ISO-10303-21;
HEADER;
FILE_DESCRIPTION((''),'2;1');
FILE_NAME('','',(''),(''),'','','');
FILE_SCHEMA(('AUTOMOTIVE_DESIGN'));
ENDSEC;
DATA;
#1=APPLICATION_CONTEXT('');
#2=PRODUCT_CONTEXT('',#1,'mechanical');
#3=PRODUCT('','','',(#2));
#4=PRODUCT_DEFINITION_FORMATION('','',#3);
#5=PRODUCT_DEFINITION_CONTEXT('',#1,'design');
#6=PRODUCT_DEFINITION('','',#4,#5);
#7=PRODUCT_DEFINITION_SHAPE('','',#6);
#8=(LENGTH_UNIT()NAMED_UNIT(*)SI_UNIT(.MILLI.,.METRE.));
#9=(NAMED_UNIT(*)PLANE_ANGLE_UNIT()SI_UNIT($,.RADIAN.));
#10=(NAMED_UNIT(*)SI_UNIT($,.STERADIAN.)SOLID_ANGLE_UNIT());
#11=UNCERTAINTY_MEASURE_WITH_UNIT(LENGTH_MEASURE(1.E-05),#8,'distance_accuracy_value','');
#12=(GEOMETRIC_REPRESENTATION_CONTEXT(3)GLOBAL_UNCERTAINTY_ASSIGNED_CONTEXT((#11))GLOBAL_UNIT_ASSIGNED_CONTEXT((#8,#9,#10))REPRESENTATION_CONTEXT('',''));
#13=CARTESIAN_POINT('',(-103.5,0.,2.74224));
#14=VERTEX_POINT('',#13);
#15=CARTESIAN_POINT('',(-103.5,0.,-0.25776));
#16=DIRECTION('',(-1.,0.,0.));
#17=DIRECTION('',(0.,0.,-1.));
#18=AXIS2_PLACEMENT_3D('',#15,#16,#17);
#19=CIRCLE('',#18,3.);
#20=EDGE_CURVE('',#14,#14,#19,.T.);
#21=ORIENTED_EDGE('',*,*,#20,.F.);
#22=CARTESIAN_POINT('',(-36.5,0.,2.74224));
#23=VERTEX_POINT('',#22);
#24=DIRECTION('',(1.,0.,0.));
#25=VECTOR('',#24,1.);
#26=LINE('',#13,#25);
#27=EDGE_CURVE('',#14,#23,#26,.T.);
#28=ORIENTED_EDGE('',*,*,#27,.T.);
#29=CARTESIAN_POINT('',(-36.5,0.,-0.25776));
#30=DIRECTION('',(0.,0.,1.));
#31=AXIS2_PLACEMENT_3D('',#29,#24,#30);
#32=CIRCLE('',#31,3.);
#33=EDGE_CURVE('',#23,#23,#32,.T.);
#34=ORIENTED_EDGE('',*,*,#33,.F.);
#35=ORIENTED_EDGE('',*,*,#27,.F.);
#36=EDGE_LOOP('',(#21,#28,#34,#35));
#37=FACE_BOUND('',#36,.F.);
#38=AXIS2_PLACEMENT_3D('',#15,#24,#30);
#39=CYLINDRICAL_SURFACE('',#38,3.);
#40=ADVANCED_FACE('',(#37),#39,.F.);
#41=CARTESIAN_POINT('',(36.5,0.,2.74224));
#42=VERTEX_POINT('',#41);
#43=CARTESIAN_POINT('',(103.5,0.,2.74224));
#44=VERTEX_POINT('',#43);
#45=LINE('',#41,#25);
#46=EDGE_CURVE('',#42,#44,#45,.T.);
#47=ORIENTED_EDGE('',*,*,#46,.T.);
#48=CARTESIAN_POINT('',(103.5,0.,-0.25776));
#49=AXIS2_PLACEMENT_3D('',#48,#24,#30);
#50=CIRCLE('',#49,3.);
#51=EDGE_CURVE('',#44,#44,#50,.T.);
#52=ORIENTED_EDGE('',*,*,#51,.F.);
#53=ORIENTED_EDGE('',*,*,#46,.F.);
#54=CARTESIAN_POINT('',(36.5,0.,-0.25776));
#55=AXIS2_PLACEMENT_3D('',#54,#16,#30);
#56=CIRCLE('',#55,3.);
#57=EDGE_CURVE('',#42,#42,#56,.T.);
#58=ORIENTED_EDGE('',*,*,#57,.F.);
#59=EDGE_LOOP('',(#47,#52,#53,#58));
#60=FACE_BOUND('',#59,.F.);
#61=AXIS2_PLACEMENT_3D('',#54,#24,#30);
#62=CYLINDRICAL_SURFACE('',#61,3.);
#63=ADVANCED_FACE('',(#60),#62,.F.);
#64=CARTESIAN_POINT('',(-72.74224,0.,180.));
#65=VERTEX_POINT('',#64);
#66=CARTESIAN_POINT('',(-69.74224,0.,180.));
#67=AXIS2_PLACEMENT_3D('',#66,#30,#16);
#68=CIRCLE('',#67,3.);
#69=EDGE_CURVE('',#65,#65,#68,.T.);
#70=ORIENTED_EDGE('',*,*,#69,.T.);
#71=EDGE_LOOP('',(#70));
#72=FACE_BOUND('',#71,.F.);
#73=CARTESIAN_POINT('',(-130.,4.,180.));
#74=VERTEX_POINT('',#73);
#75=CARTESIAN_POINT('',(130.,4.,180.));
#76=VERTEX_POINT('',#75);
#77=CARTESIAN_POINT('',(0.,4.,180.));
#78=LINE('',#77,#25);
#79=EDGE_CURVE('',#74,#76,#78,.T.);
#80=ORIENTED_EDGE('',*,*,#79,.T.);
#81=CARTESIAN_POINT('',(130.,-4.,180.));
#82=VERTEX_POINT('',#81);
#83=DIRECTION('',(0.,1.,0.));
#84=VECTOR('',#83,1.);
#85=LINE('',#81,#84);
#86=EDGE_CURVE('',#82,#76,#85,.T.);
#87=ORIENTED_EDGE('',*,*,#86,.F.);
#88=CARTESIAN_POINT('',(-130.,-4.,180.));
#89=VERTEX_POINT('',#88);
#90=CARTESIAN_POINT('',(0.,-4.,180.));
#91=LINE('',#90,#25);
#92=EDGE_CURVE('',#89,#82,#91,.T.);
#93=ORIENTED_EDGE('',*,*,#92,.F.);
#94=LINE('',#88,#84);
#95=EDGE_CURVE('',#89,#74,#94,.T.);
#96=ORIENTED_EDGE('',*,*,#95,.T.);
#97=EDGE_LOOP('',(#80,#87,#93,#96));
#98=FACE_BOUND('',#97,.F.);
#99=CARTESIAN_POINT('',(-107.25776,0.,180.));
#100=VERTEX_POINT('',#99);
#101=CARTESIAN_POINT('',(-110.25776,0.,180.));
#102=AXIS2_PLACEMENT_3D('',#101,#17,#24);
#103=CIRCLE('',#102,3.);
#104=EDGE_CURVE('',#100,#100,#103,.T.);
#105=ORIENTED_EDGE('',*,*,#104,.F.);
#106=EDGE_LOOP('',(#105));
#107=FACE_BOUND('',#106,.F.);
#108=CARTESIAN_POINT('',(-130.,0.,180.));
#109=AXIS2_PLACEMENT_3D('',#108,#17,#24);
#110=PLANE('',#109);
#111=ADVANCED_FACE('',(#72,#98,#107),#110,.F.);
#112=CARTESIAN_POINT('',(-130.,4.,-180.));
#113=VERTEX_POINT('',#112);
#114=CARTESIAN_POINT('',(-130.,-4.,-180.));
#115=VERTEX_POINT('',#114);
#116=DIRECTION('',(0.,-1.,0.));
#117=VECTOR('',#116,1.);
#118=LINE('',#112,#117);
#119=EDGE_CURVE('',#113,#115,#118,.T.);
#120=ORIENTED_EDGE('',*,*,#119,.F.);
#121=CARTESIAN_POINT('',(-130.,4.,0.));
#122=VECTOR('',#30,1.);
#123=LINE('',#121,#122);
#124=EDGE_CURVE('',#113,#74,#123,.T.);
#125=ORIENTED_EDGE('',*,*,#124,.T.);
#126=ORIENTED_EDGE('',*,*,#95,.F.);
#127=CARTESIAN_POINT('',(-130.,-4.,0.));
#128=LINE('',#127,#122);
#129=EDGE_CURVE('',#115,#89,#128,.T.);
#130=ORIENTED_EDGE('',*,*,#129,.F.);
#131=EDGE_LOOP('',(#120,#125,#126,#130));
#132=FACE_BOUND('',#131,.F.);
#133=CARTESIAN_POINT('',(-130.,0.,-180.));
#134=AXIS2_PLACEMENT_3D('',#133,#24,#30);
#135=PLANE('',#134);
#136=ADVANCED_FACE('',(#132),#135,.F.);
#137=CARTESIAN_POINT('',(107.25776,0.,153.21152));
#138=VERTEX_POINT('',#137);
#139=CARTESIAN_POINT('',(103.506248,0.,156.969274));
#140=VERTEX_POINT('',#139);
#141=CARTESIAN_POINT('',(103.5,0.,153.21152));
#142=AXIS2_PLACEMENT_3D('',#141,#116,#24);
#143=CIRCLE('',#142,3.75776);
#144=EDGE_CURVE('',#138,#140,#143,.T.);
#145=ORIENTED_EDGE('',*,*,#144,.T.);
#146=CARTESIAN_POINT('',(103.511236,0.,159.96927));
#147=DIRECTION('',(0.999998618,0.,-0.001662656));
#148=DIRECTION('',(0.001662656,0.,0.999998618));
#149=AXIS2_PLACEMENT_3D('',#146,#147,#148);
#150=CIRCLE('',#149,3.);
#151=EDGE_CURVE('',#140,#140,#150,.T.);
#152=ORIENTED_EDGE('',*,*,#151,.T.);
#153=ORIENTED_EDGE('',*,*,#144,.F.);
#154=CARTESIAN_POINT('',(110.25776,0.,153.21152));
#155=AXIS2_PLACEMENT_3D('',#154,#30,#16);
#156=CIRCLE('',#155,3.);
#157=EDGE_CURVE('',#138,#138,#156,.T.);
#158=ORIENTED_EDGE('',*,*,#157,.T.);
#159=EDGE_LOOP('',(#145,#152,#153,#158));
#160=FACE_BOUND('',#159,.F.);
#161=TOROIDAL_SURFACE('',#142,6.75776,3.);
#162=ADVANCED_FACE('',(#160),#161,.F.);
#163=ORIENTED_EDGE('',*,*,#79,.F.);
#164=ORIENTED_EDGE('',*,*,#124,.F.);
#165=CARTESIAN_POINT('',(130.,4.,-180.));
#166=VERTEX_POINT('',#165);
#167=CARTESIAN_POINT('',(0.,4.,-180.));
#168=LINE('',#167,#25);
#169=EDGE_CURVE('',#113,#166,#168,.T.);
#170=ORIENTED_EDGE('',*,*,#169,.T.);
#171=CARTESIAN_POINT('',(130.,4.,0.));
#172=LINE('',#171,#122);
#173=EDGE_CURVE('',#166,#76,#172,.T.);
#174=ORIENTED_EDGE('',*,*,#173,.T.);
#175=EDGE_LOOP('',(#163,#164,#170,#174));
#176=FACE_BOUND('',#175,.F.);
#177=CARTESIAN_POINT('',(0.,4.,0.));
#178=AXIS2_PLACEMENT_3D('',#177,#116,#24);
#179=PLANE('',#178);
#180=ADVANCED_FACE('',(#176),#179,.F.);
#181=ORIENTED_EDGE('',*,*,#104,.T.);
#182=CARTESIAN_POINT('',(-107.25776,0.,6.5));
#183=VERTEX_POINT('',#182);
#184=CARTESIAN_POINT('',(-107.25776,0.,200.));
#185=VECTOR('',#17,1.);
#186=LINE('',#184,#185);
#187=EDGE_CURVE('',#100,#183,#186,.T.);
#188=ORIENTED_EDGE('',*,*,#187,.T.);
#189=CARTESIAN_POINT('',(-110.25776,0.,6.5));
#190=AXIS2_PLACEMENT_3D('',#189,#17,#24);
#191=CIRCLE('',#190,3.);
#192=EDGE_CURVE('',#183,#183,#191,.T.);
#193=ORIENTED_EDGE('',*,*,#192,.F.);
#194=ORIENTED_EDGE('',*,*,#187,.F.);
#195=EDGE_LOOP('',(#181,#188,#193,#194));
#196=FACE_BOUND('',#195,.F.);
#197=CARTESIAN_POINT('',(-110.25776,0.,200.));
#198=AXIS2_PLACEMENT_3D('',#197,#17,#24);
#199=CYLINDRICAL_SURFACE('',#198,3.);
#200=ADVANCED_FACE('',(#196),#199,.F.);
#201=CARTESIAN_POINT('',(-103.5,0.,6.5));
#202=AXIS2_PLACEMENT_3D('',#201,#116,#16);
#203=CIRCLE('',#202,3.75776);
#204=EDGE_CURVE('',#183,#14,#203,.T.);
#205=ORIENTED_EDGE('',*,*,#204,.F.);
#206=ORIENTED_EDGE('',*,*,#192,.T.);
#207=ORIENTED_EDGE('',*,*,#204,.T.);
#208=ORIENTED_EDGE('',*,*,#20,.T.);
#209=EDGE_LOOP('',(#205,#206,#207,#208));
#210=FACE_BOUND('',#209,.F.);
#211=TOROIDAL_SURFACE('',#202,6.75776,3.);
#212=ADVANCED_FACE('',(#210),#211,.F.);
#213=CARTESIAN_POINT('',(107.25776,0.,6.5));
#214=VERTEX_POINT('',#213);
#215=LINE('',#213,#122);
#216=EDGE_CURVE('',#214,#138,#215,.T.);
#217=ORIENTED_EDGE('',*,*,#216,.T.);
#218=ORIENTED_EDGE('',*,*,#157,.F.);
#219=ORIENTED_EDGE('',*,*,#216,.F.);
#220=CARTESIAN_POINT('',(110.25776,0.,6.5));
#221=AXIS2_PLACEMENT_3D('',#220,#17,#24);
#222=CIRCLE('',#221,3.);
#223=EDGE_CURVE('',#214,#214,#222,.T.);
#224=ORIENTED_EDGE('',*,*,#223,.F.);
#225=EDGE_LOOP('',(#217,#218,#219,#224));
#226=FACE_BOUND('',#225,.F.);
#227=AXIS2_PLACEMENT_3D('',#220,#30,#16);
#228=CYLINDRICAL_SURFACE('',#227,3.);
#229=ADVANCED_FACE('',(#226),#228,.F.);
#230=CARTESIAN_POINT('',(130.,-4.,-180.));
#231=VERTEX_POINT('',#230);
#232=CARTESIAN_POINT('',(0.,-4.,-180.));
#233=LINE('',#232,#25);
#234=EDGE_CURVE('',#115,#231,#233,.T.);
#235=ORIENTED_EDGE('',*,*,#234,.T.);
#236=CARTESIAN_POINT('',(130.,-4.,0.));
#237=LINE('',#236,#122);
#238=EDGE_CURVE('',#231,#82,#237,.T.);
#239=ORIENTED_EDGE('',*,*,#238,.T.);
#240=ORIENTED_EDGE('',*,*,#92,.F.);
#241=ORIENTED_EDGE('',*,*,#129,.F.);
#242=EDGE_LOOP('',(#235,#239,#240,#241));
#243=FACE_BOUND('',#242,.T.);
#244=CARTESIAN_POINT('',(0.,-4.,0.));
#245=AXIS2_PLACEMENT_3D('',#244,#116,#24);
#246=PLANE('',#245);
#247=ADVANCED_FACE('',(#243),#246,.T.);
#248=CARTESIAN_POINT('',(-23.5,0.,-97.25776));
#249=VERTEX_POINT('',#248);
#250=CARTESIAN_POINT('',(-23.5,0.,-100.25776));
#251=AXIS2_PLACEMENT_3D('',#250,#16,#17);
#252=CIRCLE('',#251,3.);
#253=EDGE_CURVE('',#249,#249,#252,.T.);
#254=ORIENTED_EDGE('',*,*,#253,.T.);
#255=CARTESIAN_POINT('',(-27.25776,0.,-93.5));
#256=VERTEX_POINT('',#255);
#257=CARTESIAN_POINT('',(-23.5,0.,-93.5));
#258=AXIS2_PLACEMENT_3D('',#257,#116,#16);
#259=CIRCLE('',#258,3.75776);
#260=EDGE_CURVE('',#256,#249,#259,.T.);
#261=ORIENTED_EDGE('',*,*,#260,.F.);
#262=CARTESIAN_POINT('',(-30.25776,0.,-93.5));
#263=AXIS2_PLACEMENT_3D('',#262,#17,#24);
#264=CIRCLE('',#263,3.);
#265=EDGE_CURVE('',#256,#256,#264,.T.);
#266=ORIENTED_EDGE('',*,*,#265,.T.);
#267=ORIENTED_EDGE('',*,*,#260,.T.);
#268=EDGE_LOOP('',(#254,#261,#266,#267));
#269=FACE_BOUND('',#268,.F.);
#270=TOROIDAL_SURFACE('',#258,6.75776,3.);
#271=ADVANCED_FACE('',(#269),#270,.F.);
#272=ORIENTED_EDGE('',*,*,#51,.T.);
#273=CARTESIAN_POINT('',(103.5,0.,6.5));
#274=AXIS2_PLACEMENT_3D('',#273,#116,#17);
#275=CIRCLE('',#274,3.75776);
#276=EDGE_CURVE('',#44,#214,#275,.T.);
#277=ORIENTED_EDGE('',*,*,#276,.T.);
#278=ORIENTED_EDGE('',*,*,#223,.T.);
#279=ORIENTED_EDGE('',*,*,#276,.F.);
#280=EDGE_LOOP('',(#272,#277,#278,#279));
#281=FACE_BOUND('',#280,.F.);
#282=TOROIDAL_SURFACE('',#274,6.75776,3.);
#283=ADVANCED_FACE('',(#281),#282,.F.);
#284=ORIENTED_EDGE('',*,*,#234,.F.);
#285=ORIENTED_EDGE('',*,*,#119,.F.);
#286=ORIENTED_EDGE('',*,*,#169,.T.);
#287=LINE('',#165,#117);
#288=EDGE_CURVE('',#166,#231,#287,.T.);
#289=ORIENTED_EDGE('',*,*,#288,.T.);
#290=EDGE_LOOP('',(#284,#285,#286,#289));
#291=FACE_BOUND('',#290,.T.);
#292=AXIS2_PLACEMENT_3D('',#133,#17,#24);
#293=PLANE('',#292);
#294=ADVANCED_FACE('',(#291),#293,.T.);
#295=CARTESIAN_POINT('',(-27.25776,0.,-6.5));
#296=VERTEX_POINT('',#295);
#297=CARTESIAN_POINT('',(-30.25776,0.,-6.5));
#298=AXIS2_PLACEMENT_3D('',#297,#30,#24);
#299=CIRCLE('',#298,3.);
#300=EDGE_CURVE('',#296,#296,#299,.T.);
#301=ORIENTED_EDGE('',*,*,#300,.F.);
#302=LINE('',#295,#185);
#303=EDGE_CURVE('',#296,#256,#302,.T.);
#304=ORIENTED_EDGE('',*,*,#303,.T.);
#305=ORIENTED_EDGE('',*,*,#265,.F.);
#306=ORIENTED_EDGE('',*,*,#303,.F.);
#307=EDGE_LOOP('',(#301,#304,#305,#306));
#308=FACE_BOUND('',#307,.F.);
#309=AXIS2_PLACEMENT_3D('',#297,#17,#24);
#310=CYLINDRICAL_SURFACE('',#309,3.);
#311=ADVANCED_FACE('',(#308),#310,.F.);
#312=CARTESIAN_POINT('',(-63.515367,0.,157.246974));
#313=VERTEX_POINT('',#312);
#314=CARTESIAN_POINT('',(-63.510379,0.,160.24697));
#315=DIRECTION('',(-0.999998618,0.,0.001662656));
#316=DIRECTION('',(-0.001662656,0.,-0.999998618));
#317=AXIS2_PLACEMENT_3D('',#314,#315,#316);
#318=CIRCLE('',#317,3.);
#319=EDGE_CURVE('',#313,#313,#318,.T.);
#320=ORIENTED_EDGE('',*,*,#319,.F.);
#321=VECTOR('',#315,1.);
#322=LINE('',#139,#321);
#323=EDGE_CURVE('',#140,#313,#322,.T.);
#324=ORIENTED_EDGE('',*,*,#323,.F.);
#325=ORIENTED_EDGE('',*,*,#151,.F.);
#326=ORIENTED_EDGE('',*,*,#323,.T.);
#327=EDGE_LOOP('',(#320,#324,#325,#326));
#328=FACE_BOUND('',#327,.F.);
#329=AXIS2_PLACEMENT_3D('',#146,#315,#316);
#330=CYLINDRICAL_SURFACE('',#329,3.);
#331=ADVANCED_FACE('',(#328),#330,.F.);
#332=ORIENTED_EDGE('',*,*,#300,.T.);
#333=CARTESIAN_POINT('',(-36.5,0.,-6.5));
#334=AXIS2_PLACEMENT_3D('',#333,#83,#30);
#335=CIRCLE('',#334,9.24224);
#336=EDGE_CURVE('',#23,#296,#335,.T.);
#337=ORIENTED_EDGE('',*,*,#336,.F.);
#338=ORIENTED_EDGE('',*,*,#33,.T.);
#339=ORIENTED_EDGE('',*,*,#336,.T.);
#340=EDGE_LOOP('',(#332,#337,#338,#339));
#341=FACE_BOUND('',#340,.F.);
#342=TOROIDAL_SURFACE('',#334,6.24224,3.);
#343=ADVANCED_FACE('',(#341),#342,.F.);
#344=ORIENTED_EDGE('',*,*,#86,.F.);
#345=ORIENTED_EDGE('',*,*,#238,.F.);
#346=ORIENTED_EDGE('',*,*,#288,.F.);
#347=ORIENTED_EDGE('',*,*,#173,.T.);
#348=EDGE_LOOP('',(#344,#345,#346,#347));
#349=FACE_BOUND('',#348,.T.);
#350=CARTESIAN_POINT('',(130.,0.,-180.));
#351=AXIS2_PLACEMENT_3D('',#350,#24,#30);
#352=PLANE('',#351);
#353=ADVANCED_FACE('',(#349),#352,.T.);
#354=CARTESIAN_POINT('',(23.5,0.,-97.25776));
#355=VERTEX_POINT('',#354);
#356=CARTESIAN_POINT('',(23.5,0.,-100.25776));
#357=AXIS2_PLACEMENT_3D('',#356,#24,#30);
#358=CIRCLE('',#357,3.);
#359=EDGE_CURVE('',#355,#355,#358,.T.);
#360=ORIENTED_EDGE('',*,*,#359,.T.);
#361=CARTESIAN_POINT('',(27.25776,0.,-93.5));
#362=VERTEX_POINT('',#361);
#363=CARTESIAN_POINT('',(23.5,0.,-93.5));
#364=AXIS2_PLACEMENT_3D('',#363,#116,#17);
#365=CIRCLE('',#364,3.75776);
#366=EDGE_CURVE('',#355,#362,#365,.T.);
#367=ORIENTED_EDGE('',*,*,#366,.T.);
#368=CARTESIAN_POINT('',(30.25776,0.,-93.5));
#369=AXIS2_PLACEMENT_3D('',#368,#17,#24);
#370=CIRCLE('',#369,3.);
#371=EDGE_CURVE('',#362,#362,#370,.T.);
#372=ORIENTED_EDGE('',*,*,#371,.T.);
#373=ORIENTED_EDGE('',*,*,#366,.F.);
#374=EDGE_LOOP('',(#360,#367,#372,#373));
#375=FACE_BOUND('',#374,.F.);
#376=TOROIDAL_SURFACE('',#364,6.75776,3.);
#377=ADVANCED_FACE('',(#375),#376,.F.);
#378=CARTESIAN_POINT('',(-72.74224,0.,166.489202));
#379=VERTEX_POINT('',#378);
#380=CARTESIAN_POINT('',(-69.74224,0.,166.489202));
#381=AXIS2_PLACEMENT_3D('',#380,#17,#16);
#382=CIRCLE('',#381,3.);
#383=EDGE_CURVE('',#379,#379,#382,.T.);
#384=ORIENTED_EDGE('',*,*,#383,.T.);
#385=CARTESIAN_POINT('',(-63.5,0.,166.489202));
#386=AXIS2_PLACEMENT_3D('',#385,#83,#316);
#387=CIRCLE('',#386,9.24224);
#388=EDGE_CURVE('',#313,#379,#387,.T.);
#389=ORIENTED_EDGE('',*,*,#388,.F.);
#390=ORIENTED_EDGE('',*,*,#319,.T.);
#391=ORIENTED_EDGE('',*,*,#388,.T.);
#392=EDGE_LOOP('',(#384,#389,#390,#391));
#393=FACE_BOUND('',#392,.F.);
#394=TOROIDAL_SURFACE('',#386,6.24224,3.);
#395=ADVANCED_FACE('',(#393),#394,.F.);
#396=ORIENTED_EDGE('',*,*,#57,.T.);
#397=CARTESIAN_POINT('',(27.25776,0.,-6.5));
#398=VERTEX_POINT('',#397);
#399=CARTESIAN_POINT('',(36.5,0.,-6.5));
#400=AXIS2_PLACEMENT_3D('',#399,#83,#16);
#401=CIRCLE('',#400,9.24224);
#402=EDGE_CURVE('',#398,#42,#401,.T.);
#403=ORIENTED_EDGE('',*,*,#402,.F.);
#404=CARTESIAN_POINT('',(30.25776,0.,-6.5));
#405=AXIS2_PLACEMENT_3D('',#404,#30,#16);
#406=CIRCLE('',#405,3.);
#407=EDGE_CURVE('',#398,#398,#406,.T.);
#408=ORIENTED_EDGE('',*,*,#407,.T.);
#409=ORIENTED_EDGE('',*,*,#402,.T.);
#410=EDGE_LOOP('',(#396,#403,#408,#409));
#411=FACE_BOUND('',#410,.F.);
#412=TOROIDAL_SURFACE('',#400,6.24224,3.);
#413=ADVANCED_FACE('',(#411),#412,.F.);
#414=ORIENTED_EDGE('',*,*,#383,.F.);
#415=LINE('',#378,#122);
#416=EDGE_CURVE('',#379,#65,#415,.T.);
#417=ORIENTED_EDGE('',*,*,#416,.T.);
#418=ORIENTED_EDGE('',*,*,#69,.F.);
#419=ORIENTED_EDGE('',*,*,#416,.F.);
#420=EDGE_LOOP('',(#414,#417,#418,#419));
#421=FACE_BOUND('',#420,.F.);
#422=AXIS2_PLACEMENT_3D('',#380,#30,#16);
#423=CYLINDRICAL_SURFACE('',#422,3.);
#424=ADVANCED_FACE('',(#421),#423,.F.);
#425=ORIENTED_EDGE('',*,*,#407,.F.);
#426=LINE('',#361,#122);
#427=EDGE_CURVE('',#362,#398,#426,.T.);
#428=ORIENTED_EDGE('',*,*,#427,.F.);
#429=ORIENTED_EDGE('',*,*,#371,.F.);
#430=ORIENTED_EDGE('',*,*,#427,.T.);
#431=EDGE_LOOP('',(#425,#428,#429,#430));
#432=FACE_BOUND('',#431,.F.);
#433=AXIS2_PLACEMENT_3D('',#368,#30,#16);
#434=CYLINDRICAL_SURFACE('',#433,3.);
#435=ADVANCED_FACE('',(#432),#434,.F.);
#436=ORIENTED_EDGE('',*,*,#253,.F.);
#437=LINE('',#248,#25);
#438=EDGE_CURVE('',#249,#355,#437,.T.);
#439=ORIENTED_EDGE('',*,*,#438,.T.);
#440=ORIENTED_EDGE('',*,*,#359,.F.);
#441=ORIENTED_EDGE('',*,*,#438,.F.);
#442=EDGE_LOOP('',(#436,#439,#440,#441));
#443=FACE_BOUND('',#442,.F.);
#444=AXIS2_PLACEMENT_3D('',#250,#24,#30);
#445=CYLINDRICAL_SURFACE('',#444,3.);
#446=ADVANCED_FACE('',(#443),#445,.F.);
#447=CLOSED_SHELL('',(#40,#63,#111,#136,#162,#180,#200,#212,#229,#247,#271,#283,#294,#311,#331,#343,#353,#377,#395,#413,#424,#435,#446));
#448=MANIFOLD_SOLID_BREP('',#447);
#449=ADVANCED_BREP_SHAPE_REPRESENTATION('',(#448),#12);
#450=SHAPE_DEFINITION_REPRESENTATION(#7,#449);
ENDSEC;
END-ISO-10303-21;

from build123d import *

# Parameters (mm, degrees)
F0_W     = 260
F0_H     = 360
F2_DEPTH = 4
F4_R     = 3


with BuildPart() as f2:
    # F0 (on Front) → F2 (new body, symmetric)
    with BuildSketch(Plane.XZ):
        Rectangle(F0_W, F0_H)
    extrude(amount=F2_DEPTH, both=True)

    # F5: sweep along a path in F1
    with BuildLine(Plane.XZ) as f5_path:
        Line((-110, 200), (-110, 6.5))
        ThreePointArc((-110, 6.5), (-108.0961940777, 1.9038059223), (-103.5, 0))
        Line((-103.5, 0), (-36.5, 0))
        ThreePointArc((-36.5, 0), (-31.9038059223, -1.9038059223), (-30, -6.5))
        Line((-30, -6.5), (-30, -93.5))
        ThreePointArc((-30, -93.5), (-28.0961940777, -98.0961940777), (-23.5, -100))
        Line((-23.5, -100), (23.5, -100))
        ThreePointArc((23.5, -100), (28.0961940777, -98.0961940777), (30, -93.5))
        Line((30, -93.5), (30, -6.5))
        ThreePointArc((30, -6.5), (31.9038059223, -1.9038059223), (36.5, 0))
        Line((36.5, 0), (103.5, 0))
        ThreePointArc((103.5, 0), (108.0961940777, 1.9038059223), (110, 6.5))
        Line((110, 6.5), (110, 153.211519797))
        ThreePointArc((110, 153.211519797), (108.1000134357, 157.8038913403), (103.5108072641, 159.7115108126))
        Line((103.5108072641, 159.7115108126), (-63.5108072641, 159.9892106897))
        ThreePointArc((-63.5108072641, 159.9892106897), (-68.1000134357, 161.896830162), (-70, 166.4892017053))
        Line((-70, 166.4892017053), (-70, 200))
    # F4 (on plane+point) → F5 (sweep, cut)
    with BuildSketch(Plane.XY.offset(200)):
        with Locations((-110.2577596903, 0)):
            Circle(F4_R)
    sweep(path=f5_path.line, mode=Mode.SUBTRACT)


solid = f2.part
